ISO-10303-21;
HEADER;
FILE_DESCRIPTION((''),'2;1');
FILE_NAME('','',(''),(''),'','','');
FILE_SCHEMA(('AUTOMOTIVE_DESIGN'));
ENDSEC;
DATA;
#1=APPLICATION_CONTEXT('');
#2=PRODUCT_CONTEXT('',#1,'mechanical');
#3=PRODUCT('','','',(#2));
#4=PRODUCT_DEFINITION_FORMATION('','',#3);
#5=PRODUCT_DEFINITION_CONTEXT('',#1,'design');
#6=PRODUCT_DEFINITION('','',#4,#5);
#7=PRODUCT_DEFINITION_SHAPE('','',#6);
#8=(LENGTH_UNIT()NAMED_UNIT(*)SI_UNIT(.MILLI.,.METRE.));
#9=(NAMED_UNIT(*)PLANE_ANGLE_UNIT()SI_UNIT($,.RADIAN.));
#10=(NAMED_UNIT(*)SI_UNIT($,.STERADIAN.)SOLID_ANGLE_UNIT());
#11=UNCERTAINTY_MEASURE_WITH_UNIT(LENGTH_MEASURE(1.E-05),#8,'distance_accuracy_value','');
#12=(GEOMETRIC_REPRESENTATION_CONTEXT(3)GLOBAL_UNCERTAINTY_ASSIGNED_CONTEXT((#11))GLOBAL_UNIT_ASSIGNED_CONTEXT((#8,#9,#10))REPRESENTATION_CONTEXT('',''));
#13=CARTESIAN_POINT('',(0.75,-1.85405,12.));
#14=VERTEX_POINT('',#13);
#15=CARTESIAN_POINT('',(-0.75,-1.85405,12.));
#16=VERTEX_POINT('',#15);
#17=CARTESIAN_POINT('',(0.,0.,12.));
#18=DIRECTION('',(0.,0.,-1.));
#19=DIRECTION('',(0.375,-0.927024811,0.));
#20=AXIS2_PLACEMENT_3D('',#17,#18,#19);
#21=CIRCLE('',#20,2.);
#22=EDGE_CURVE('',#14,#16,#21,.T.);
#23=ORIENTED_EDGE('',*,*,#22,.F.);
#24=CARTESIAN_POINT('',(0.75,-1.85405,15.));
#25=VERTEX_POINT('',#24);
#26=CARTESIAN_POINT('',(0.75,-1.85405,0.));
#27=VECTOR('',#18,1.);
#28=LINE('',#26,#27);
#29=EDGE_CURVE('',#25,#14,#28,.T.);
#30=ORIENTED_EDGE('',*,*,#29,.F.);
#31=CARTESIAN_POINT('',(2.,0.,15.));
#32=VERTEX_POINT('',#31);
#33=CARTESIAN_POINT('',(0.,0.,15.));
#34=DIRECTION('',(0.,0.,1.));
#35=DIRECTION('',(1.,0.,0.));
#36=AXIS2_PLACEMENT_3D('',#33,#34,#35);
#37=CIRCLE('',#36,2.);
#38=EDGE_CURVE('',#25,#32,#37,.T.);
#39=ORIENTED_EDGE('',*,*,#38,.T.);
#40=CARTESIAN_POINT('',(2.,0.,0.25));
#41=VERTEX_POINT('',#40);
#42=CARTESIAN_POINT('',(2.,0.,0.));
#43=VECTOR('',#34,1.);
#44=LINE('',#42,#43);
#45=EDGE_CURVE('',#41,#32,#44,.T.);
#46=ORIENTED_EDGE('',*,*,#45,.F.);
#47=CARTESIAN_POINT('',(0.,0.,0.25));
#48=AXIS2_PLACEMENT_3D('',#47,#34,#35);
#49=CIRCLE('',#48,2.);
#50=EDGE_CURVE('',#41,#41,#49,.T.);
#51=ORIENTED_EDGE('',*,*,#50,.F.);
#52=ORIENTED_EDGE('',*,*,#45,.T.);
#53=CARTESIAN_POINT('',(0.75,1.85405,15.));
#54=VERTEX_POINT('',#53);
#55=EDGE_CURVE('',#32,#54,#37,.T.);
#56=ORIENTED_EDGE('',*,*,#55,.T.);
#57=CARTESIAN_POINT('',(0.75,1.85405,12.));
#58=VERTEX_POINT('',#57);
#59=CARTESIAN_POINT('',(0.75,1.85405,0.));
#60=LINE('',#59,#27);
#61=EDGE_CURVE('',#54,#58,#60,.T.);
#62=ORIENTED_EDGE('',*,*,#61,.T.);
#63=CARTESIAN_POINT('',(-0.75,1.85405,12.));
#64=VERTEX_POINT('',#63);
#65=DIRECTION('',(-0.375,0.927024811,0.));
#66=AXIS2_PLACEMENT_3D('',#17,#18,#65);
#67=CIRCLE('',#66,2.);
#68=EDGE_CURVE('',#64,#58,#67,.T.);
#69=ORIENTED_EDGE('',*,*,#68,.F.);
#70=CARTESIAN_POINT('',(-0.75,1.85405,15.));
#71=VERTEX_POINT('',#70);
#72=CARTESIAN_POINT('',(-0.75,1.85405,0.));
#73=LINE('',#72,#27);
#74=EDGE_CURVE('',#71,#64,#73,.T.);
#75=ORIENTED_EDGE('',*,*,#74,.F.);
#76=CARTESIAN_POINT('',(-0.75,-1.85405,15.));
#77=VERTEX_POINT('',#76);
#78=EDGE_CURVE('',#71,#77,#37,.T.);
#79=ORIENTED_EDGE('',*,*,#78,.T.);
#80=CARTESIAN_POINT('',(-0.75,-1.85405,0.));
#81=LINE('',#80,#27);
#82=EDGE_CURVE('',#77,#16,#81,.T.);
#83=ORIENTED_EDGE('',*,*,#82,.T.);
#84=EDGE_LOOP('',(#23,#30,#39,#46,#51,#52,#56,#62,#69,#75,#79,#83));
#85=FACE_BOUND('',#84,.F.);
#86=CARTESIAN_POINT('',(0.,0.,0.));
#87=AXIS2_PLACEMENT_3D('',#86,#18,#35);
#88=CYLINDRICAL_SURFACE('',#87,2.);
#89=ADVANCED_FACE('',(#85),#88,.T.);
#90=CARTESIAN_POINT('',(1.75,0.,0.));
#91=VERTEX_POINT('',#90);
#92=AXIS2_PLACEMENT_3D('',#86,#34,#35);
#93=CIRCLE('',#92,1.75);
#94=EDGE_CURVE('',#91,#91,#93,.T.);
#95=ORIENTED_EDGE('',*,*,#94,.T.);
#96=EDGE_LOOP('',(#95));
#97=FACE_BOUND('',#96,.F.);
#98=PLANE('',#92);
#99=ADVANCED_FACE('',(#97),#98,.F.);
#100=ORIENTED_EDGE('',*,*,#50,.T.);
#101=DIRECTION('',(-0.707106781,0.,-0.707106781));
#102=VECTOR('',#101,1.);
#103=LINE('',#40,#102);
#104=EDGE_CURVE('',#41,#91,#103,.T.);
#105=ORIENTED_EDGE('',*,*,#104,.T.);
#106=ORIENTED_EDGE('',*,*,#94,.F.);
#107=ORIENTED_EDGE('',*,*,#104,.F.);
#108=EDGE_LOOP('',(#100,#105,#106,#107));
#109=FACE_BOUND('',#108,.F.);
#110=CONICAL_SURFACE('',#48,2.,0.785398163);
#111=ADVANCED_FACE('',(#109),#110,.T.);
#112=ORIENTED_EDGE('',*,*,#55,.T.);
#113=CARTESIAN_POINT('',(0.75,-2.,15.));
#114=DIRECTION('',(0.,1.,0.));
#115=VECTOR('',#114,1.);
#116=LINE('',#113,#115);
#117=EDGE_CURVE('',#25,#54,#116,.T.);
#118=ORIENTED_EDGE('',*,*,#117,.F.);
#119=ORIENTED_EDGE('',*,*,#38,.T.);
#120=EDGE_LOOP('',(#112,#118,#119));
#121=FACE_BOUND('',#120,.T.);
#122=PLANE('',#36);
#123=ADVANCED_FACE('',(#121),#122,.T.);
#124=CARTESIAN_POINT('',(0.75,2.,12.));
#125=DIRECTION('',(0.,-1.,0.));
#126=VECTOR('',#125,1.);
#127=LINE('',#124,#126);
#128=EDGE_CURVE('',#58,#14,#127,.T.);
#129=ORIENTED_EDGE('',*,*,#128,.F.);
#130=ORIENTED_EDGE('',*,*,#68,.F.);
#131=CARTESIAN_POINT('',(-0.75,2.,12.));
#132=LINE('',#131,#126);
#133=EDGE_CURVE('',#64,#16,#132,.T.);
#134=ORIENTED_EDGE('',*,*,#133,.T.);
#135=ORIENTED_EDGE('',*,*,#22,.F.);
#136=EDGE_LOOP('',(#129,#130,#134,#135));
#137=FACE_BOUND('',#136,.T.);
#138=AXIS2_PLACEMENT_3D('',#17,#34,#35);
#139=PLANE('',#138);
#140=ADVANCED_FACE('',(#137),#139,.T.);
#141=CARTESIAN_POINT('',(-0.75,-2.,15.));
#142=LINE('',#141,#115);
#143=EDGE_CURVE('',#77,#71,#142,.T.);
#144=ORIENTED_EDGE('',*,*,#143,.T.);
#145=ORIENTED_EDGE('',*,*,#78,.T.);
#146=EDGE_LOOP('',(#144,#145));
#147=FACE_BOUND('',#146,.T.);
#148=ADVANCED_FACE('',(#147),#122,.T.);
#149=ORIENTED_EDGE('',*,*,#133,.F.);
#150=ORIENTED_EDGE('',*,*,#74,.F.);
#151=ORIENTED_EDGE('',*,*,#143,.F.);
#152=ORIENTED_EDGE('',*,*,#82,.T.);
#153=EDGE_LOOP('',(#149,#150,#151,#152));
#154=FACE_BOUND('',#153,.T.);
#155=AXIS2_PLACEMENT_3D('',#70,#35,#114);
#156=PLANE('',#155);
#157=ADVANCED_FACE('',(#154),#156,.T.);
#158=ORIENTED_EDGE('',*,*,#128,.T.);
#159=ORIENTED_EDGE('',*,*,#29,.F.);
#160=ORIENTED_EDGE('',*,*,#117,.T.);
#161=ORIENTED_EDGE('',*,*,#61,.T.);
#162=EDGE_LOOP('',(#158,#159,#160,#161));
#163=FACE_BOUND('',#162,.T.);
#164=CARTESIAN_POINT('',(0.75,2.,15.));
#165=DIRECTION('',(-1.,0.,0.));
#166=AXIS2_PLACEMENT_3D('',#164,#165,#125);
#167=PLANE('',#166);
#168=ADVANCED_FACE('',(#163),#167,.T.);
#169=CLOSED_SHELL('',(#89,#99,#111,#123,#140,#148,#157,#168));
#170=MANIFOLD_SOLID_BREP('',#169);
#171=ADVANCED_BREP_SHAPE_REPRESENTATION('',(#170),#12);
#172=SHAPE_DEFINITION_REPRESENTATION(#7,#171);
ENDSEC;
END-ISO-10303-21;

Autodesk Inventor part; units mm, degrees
ref_plane "YZ Plane" through (0, 0, 0) normal (1, 0, 0) x (0, 1, 0)
ref_plane "XZ Plane" through (0, 0, 0) normal (0, 1, 0) x (-1, 0, 0)
ref_plane "XY Plane" through (0, 0, 0) normal (0, 0, 1) x (1, 0, 0)
sketch "草图1" plane through (0, 0, 0) normal (0, 0, 1) x (1, 0, 0)
  circle A0 centre (0, 0) radius 2
  dimension "d0" = 4
extrude "拉伸1" add sketch "草图1" along normal blind 15
sketch "草图2" plane through (0, 0, 15) normal (0, 0, 1) x (1, 0, 0)
  line L0 (-0.75, 2) -> (0.75, 2)
  line L1 (0.75, 2) -> (0.75, -2)
  line L2 (0.75, -2) -> (-0.75, -2)
  line L3 (-0.75, -2) -> (-0.75, 2)
  line L4 (0, 0) -> (0, 2)
  circle A0 centre (0, 0) radius 2 projected
  dimension "d3" = 1.5
extrude "拉伸2" cut sketch "草图2" against normal blind 3 contours L0 A0 L3 | L0 L1 A0 | A0 L1 L3 | A0 L2 L3 | L1 L2 A0
thread "螺纹1" size "M4x0.7" class "6g" standard "ANSI Metric M Profile" full length
chamfer "倒角1" distance 0.25 angle 45 1 edges at (-2, 0, 0)
properties part number "砂轮电机皮带轮固定螺丝"
